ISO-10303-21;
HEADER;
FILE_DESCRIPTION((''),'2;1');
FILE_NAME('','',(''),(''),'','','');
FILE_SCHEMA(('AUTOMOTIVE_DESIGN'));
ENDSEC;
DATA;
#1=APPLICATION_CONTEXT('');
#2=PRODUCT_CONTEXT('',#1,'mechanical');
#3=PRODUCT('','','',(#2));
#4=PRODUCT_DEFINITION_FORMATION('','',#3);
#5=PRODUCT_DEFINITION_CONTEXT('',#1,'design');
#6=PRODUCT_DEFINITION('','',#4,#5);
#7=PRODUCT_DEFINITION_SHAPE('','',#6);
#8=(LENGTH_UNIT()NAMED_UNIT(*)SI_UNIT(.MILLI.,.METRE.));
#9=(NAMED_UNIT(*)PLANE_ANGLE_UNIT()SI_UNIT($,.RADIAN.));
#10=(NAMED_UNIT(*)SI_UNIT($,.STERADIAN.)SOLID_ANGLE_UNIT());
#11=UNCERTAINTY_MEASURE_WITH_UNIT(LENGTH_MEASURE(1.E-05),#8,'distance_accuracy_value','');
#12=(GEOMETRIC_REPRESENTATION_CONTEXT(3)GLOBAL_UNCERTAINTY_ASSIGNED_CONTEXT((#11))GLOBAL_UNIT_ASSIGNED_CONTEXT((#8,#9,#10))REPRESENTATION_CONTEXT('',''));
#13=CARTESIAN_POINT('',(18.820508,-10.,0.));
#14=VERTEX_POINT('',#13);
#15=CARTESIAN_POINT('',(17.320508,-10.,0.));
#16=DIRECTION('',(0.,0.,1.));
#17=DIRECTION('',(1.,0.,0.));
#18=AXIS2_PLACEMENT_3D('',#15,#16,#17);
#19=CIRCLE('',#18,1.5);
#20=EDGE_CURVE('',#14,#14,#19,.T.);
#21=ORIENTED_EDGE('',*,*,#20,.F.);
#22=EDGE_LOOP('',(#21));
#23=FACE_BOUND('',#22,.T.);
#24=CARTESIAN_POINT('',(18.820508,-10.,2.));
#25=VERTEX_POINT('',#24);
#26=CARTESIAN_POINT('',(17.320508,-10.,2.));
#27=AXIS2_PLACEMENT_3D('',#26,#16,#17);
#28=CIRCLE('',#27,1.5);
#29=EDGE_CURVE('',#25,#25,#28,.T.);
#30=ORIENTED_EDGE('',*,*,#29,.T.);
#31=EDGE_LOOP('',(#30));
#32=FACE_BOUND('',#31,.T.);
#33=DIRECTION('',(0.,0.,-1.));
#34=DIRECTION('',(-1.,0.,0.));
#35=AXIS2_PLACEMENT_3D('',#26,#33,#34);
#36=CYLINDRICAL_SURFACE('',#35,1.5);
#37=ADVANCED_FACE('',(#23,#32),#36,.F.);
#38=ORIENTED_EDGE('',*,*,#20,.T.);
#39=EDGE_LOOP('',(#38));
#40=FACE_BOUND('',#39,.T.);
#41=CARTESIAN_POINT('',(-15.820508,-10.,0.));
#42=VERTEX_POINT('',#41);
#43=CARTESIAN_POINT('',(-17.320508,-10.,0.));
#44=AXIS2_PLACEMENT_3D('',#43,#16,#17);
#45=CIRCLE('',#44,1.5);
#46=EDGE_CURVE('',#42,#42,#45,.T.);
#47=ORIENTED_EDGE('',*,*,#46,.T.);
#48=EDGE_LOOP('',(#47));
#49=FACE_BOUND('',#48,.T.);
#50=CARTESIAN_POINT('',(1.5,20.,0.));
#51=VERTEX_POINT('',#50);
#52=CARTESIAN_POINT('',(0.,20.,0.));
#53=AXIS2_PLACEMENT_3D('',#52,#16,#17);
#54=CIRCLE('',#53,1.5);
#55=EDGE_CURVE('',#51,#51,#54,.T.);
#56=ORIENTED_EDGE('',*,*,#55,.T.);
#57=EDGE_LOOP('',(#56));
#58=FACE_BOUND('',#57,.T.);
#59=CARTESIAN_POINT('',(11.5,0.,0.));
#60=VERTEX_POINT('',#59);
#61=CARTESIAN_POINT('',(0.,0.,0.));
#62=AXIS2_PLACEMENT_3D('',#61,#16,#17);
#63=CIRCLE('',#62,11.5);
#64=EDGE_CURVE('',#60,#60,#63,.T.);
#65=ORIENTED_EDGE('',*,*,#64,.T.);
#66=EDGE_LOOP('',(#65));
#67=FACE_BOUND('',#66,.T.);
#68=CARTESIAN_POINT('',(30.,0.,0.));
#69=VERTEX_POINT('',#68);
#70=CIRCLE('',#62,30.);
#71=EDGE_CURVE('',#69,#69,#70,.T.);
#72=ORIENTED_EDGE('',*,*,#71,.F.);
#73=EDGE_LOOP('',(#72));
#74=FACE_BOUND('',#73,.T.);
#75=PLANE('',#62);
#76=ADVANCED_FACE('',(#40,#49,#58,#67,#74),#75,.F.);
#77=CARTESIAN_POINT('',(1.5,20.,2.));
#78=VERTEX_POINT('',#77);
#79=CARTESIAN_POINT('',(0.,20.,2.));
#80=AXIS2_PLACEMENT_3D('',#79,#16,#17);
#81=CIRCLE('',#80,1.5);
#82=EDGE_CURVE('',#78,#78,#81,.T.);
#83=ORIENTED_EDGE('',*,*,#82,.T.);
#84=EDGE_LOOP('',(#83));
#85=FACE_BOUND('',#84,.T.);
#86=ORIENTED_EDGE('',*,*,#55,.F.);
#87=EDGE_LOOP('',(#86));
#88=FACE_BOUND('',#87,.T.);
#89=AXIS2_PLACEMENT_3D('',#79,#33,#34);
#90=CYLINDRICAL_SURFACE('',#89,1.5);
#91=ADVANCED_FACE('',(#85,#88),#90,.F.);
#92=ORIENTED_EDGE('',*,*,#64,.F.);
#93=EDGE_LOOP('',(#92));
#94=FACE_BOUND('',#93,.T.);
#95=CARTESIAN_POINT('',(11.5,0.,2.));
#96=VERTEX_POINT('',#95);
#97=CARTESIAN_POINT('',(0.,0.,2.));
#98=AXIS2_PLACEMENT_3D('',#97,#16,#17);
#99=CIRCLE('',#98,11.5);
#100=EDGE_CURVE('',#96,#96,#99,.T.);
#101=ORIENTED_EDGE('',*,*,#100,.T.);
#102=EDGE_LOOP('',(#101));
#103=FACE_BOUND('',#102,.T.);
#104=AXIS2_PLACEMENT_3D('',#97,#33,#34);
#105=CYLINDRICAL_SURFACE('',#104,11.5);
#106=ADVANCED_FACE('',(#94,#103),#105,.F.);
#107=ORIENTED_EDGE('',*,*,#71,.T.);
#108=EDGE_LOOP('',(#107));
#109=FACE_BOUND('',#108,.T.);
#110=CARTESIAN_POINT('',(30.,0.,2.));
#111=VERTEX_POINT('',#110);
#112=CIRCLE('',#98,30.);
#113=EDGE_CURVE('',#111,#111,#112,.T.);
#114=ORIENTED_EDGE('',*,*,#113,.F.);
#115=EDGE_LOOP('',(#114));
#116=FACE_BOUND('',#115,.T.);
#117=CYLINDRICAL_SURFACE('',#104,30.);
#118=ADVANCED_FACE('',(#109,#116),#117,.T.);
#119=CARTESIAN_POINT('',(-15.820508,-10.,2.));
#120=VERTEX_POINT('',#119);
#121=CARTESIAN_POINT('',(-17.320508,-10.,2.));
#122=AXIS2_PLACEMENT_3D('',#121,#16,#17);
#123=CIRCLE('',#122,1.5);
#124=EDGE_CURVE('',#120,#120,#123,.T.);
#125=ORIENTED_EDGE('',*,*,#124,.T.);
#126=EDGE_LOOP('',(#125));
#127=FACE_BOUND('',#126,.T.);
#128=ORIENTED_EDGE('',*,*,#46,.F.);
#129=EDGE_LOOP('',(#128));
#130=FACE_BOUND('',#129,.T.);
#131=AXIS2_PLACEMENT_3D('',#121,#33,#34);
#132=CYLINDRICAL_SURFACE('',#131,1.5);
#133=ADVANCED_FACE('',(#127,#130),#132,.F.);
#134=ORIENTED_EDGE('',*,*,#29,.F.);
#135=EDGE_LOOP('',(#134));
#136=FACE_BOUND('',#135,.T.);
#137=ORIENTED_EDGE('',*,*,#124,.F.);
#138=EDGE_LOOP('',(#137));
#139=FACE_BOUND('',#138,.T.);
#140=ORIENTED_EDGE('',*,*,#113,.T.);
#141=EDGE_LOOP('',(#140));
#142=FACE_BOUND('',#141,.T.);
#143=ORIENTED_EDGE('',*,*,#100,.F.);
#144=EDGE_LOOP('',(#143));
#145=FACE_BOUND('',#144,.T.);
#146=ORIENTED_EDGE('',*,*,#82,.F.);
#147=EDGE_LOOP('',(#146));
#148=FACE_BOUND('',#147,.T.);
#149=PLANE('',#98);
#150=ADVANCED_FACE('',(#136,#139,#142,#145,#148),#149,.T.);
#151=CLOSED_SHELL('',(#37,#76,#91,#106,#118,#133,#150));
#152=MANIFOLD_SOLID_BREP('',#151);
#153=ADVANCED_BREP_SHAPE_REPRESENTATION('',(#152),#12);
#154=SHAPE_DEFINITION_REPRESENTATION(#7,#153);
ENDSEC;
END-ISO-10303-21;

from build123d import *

# Parameters (mm, degrees)
SKETCH_1_R      = 30
SKETCH_1_R_2    = 11.5
SKETCH_1_R_3    = 1.5
EXTRUDE_1_DEPTH = 2


with BuildPart() as part:
    # 草图1 → 凸台-拉伸1 (new body)
    with BuildSketch(Plane.XY):
        Circle(SKETCH_1_R)
        Circle(SKETCH_1_R_2, mode=Mode.SUBTRACT)
        with Locations((0, 20)):
            Circle(SKETCH_1_R_3, mode=Mode.SUBTRACT)
        with Locations((17.320508076, -10)):
            Circle(SKETCH_1_R_3, mode=Mode.SUBTRACT)
        with Locations((-17.320508076, -10)):
            Circle(SKETCH_1_R_3, mode=Mode.SUBTRACT)
    extrude(amount=EXTRUDE_1_DEPTH)


solid = part.part
